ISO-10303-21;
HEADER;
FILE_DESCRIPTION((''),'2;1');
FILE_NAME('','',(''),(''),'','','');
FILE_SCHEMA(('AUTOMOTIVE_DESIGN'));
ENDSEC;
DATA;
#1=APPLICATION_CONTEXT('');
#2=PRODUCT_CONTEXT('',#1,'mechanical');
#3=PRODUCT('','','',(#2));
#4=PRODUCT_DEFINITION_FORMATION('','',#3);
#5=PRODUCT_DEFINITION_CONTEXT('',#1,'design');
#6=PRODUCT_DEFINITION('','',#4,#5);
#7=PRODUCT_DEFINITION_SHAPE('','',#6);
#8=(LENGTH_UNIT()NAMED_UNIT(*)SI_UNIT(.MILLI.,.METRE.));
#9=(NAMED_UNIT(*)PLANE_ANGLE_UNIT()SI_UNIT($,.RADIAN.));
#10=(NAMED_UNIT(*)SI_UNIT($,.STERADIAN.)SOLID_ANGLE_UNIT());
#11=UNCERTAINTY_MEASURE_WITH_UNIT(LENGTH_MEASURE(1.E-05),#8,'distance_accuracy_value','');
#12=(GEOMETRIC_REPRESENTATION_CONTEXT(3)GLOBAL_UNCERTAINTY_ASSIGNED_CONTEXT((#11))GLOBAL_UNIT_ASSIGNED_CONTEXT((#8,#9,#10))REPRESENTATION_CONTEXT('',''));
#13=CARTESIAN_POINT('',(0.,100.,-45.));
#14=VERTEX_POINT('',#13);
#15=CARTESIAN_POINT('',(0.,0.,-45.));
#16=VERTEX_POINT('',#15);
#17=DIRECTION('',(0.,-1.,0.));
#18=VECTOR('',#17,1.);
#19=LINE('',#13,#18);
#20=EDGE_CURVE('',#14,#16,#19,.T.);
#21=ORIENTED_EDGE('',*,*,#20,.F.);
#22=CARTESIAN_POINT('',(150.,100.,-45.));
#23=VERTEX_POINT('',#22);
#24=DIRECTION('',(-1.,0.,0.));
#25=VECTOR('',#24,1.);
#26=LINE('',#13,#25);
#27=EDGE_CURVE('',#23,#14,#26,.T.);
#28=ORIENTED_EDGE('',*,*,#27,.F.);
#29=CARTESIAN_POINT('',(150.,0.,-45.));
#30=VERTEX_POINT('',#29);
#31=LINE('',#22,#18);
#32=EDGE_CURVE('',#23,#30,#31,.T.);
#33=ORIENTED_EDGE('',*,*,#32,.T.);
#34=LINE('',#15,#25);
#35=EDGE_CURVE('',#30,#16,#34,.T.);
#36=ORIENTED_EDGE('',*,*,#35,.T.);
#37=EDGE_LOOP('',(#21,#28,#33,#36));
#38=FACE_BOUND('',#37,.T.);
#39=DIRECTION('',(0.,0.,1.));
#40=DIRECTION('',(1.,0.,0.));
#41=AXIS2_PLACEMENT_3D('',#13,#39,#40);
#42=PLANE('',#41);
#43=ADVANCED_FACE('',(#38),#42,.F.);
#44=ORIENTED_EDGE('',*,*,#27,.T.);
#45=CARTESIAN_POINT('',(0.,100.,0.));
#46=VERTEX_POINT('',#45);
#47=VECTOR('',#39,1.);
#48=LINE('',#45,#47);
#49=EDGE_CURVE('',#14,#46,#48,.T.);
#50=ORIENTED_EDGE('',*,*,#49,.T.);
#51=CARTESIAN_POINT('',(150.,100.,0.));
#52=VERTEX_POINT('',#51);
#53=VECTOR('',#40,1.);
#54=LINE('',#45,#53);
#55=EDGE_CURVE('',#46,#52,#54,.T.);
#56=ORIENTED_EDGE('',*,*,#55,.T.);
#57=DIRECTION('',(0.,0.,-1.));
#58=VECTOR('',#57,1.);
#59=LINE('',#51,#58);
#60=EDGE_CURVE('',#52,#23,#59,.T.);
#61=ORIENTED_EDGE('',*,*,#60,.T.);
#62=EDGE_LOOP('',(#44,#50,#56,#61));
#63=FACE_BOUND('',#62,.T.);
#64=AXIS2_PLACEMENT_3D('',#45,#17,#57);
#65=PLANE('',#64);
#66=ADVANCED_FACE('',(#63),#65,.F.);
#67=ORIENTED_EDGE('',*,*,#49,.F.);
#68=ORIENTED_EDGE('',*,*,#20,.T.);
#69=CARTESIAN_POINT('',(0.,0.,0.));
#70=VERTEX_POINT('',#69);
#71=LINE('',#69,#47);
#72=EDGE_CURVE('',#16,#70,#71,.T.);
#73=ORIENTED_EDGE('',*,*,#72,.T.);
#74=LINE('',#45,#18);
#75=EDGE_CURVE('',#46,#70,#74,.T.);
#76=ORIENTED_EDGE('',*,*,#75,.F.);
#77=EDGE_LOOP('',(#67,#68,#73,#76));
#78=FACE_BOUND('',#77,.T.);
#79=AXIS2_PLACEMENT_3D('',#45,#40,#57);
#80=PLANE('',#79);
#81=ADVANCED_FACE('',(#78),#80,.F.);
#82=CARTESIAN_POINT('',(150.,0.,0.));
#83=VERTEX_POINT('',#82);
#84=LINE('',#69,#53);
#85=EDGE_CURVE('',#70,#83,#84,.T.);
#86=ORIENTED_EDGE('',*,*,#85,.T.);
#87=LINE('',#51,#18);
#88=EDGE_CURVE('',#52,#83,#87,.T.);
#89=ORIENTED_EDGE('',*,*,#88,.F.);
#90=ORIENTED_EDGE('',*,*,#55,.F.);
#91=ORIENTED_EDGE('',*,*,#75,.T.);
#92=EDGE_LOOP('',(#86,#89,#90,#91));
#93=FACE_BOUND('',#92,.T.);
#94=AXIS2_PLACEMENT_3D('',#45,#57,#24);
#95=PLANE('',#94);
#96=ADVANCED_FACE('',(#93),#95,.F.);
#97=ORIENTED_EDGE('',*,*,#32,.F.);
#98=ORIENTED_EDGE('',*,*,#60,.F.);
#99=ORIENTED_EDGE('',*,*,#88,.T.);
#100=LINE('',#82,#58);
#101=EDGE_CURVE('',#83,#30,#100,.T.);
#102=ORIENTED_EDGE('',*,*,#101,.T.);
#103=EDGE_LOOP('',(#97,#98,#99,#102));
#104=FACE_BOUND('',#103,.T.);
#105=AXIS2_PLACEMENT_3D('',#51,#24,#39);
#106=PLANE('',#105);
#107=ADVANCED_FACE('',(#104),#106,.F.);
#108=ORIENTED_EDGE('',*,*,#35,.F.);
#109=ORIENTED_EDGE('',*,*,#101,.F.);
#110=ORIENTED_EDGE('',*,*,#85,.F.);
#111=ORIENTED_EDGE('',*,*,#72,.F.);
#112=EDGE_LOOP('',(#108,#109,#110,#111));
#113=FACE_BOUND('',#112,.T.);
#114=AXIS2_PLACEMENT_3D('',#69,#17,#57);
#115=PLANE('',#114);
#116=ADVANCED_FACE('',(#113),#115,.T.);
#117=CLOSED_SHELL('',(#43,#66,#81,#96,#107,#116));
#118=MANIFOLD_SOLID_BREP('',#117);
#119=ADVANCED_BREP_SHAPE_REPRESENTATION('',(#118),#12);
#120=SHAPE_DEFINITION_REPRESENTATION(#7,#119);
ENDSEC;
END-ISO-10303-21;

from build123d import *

# Parameters (mm, degrees)
SKETCH1_W           = 150
SKETCH1_H           = 45
BOSS_EXTRUDE1_DEPTH = 100


with BuildPart() as part:
    # Sketch1 → Boss-Extrude1 (new body)
    with BuildSketch(Plane(origin=(0, 0, 0), x_dir=(1, 0, 0), z_dir=(0, 1, 0))):
        with Locations((75, 22.5)):
            Rectangle(SKETCH1_W, SKETCH1_H)
    extrude(amount=BOSS_EXTRUDE1_DEPTH)


solid = part.part
